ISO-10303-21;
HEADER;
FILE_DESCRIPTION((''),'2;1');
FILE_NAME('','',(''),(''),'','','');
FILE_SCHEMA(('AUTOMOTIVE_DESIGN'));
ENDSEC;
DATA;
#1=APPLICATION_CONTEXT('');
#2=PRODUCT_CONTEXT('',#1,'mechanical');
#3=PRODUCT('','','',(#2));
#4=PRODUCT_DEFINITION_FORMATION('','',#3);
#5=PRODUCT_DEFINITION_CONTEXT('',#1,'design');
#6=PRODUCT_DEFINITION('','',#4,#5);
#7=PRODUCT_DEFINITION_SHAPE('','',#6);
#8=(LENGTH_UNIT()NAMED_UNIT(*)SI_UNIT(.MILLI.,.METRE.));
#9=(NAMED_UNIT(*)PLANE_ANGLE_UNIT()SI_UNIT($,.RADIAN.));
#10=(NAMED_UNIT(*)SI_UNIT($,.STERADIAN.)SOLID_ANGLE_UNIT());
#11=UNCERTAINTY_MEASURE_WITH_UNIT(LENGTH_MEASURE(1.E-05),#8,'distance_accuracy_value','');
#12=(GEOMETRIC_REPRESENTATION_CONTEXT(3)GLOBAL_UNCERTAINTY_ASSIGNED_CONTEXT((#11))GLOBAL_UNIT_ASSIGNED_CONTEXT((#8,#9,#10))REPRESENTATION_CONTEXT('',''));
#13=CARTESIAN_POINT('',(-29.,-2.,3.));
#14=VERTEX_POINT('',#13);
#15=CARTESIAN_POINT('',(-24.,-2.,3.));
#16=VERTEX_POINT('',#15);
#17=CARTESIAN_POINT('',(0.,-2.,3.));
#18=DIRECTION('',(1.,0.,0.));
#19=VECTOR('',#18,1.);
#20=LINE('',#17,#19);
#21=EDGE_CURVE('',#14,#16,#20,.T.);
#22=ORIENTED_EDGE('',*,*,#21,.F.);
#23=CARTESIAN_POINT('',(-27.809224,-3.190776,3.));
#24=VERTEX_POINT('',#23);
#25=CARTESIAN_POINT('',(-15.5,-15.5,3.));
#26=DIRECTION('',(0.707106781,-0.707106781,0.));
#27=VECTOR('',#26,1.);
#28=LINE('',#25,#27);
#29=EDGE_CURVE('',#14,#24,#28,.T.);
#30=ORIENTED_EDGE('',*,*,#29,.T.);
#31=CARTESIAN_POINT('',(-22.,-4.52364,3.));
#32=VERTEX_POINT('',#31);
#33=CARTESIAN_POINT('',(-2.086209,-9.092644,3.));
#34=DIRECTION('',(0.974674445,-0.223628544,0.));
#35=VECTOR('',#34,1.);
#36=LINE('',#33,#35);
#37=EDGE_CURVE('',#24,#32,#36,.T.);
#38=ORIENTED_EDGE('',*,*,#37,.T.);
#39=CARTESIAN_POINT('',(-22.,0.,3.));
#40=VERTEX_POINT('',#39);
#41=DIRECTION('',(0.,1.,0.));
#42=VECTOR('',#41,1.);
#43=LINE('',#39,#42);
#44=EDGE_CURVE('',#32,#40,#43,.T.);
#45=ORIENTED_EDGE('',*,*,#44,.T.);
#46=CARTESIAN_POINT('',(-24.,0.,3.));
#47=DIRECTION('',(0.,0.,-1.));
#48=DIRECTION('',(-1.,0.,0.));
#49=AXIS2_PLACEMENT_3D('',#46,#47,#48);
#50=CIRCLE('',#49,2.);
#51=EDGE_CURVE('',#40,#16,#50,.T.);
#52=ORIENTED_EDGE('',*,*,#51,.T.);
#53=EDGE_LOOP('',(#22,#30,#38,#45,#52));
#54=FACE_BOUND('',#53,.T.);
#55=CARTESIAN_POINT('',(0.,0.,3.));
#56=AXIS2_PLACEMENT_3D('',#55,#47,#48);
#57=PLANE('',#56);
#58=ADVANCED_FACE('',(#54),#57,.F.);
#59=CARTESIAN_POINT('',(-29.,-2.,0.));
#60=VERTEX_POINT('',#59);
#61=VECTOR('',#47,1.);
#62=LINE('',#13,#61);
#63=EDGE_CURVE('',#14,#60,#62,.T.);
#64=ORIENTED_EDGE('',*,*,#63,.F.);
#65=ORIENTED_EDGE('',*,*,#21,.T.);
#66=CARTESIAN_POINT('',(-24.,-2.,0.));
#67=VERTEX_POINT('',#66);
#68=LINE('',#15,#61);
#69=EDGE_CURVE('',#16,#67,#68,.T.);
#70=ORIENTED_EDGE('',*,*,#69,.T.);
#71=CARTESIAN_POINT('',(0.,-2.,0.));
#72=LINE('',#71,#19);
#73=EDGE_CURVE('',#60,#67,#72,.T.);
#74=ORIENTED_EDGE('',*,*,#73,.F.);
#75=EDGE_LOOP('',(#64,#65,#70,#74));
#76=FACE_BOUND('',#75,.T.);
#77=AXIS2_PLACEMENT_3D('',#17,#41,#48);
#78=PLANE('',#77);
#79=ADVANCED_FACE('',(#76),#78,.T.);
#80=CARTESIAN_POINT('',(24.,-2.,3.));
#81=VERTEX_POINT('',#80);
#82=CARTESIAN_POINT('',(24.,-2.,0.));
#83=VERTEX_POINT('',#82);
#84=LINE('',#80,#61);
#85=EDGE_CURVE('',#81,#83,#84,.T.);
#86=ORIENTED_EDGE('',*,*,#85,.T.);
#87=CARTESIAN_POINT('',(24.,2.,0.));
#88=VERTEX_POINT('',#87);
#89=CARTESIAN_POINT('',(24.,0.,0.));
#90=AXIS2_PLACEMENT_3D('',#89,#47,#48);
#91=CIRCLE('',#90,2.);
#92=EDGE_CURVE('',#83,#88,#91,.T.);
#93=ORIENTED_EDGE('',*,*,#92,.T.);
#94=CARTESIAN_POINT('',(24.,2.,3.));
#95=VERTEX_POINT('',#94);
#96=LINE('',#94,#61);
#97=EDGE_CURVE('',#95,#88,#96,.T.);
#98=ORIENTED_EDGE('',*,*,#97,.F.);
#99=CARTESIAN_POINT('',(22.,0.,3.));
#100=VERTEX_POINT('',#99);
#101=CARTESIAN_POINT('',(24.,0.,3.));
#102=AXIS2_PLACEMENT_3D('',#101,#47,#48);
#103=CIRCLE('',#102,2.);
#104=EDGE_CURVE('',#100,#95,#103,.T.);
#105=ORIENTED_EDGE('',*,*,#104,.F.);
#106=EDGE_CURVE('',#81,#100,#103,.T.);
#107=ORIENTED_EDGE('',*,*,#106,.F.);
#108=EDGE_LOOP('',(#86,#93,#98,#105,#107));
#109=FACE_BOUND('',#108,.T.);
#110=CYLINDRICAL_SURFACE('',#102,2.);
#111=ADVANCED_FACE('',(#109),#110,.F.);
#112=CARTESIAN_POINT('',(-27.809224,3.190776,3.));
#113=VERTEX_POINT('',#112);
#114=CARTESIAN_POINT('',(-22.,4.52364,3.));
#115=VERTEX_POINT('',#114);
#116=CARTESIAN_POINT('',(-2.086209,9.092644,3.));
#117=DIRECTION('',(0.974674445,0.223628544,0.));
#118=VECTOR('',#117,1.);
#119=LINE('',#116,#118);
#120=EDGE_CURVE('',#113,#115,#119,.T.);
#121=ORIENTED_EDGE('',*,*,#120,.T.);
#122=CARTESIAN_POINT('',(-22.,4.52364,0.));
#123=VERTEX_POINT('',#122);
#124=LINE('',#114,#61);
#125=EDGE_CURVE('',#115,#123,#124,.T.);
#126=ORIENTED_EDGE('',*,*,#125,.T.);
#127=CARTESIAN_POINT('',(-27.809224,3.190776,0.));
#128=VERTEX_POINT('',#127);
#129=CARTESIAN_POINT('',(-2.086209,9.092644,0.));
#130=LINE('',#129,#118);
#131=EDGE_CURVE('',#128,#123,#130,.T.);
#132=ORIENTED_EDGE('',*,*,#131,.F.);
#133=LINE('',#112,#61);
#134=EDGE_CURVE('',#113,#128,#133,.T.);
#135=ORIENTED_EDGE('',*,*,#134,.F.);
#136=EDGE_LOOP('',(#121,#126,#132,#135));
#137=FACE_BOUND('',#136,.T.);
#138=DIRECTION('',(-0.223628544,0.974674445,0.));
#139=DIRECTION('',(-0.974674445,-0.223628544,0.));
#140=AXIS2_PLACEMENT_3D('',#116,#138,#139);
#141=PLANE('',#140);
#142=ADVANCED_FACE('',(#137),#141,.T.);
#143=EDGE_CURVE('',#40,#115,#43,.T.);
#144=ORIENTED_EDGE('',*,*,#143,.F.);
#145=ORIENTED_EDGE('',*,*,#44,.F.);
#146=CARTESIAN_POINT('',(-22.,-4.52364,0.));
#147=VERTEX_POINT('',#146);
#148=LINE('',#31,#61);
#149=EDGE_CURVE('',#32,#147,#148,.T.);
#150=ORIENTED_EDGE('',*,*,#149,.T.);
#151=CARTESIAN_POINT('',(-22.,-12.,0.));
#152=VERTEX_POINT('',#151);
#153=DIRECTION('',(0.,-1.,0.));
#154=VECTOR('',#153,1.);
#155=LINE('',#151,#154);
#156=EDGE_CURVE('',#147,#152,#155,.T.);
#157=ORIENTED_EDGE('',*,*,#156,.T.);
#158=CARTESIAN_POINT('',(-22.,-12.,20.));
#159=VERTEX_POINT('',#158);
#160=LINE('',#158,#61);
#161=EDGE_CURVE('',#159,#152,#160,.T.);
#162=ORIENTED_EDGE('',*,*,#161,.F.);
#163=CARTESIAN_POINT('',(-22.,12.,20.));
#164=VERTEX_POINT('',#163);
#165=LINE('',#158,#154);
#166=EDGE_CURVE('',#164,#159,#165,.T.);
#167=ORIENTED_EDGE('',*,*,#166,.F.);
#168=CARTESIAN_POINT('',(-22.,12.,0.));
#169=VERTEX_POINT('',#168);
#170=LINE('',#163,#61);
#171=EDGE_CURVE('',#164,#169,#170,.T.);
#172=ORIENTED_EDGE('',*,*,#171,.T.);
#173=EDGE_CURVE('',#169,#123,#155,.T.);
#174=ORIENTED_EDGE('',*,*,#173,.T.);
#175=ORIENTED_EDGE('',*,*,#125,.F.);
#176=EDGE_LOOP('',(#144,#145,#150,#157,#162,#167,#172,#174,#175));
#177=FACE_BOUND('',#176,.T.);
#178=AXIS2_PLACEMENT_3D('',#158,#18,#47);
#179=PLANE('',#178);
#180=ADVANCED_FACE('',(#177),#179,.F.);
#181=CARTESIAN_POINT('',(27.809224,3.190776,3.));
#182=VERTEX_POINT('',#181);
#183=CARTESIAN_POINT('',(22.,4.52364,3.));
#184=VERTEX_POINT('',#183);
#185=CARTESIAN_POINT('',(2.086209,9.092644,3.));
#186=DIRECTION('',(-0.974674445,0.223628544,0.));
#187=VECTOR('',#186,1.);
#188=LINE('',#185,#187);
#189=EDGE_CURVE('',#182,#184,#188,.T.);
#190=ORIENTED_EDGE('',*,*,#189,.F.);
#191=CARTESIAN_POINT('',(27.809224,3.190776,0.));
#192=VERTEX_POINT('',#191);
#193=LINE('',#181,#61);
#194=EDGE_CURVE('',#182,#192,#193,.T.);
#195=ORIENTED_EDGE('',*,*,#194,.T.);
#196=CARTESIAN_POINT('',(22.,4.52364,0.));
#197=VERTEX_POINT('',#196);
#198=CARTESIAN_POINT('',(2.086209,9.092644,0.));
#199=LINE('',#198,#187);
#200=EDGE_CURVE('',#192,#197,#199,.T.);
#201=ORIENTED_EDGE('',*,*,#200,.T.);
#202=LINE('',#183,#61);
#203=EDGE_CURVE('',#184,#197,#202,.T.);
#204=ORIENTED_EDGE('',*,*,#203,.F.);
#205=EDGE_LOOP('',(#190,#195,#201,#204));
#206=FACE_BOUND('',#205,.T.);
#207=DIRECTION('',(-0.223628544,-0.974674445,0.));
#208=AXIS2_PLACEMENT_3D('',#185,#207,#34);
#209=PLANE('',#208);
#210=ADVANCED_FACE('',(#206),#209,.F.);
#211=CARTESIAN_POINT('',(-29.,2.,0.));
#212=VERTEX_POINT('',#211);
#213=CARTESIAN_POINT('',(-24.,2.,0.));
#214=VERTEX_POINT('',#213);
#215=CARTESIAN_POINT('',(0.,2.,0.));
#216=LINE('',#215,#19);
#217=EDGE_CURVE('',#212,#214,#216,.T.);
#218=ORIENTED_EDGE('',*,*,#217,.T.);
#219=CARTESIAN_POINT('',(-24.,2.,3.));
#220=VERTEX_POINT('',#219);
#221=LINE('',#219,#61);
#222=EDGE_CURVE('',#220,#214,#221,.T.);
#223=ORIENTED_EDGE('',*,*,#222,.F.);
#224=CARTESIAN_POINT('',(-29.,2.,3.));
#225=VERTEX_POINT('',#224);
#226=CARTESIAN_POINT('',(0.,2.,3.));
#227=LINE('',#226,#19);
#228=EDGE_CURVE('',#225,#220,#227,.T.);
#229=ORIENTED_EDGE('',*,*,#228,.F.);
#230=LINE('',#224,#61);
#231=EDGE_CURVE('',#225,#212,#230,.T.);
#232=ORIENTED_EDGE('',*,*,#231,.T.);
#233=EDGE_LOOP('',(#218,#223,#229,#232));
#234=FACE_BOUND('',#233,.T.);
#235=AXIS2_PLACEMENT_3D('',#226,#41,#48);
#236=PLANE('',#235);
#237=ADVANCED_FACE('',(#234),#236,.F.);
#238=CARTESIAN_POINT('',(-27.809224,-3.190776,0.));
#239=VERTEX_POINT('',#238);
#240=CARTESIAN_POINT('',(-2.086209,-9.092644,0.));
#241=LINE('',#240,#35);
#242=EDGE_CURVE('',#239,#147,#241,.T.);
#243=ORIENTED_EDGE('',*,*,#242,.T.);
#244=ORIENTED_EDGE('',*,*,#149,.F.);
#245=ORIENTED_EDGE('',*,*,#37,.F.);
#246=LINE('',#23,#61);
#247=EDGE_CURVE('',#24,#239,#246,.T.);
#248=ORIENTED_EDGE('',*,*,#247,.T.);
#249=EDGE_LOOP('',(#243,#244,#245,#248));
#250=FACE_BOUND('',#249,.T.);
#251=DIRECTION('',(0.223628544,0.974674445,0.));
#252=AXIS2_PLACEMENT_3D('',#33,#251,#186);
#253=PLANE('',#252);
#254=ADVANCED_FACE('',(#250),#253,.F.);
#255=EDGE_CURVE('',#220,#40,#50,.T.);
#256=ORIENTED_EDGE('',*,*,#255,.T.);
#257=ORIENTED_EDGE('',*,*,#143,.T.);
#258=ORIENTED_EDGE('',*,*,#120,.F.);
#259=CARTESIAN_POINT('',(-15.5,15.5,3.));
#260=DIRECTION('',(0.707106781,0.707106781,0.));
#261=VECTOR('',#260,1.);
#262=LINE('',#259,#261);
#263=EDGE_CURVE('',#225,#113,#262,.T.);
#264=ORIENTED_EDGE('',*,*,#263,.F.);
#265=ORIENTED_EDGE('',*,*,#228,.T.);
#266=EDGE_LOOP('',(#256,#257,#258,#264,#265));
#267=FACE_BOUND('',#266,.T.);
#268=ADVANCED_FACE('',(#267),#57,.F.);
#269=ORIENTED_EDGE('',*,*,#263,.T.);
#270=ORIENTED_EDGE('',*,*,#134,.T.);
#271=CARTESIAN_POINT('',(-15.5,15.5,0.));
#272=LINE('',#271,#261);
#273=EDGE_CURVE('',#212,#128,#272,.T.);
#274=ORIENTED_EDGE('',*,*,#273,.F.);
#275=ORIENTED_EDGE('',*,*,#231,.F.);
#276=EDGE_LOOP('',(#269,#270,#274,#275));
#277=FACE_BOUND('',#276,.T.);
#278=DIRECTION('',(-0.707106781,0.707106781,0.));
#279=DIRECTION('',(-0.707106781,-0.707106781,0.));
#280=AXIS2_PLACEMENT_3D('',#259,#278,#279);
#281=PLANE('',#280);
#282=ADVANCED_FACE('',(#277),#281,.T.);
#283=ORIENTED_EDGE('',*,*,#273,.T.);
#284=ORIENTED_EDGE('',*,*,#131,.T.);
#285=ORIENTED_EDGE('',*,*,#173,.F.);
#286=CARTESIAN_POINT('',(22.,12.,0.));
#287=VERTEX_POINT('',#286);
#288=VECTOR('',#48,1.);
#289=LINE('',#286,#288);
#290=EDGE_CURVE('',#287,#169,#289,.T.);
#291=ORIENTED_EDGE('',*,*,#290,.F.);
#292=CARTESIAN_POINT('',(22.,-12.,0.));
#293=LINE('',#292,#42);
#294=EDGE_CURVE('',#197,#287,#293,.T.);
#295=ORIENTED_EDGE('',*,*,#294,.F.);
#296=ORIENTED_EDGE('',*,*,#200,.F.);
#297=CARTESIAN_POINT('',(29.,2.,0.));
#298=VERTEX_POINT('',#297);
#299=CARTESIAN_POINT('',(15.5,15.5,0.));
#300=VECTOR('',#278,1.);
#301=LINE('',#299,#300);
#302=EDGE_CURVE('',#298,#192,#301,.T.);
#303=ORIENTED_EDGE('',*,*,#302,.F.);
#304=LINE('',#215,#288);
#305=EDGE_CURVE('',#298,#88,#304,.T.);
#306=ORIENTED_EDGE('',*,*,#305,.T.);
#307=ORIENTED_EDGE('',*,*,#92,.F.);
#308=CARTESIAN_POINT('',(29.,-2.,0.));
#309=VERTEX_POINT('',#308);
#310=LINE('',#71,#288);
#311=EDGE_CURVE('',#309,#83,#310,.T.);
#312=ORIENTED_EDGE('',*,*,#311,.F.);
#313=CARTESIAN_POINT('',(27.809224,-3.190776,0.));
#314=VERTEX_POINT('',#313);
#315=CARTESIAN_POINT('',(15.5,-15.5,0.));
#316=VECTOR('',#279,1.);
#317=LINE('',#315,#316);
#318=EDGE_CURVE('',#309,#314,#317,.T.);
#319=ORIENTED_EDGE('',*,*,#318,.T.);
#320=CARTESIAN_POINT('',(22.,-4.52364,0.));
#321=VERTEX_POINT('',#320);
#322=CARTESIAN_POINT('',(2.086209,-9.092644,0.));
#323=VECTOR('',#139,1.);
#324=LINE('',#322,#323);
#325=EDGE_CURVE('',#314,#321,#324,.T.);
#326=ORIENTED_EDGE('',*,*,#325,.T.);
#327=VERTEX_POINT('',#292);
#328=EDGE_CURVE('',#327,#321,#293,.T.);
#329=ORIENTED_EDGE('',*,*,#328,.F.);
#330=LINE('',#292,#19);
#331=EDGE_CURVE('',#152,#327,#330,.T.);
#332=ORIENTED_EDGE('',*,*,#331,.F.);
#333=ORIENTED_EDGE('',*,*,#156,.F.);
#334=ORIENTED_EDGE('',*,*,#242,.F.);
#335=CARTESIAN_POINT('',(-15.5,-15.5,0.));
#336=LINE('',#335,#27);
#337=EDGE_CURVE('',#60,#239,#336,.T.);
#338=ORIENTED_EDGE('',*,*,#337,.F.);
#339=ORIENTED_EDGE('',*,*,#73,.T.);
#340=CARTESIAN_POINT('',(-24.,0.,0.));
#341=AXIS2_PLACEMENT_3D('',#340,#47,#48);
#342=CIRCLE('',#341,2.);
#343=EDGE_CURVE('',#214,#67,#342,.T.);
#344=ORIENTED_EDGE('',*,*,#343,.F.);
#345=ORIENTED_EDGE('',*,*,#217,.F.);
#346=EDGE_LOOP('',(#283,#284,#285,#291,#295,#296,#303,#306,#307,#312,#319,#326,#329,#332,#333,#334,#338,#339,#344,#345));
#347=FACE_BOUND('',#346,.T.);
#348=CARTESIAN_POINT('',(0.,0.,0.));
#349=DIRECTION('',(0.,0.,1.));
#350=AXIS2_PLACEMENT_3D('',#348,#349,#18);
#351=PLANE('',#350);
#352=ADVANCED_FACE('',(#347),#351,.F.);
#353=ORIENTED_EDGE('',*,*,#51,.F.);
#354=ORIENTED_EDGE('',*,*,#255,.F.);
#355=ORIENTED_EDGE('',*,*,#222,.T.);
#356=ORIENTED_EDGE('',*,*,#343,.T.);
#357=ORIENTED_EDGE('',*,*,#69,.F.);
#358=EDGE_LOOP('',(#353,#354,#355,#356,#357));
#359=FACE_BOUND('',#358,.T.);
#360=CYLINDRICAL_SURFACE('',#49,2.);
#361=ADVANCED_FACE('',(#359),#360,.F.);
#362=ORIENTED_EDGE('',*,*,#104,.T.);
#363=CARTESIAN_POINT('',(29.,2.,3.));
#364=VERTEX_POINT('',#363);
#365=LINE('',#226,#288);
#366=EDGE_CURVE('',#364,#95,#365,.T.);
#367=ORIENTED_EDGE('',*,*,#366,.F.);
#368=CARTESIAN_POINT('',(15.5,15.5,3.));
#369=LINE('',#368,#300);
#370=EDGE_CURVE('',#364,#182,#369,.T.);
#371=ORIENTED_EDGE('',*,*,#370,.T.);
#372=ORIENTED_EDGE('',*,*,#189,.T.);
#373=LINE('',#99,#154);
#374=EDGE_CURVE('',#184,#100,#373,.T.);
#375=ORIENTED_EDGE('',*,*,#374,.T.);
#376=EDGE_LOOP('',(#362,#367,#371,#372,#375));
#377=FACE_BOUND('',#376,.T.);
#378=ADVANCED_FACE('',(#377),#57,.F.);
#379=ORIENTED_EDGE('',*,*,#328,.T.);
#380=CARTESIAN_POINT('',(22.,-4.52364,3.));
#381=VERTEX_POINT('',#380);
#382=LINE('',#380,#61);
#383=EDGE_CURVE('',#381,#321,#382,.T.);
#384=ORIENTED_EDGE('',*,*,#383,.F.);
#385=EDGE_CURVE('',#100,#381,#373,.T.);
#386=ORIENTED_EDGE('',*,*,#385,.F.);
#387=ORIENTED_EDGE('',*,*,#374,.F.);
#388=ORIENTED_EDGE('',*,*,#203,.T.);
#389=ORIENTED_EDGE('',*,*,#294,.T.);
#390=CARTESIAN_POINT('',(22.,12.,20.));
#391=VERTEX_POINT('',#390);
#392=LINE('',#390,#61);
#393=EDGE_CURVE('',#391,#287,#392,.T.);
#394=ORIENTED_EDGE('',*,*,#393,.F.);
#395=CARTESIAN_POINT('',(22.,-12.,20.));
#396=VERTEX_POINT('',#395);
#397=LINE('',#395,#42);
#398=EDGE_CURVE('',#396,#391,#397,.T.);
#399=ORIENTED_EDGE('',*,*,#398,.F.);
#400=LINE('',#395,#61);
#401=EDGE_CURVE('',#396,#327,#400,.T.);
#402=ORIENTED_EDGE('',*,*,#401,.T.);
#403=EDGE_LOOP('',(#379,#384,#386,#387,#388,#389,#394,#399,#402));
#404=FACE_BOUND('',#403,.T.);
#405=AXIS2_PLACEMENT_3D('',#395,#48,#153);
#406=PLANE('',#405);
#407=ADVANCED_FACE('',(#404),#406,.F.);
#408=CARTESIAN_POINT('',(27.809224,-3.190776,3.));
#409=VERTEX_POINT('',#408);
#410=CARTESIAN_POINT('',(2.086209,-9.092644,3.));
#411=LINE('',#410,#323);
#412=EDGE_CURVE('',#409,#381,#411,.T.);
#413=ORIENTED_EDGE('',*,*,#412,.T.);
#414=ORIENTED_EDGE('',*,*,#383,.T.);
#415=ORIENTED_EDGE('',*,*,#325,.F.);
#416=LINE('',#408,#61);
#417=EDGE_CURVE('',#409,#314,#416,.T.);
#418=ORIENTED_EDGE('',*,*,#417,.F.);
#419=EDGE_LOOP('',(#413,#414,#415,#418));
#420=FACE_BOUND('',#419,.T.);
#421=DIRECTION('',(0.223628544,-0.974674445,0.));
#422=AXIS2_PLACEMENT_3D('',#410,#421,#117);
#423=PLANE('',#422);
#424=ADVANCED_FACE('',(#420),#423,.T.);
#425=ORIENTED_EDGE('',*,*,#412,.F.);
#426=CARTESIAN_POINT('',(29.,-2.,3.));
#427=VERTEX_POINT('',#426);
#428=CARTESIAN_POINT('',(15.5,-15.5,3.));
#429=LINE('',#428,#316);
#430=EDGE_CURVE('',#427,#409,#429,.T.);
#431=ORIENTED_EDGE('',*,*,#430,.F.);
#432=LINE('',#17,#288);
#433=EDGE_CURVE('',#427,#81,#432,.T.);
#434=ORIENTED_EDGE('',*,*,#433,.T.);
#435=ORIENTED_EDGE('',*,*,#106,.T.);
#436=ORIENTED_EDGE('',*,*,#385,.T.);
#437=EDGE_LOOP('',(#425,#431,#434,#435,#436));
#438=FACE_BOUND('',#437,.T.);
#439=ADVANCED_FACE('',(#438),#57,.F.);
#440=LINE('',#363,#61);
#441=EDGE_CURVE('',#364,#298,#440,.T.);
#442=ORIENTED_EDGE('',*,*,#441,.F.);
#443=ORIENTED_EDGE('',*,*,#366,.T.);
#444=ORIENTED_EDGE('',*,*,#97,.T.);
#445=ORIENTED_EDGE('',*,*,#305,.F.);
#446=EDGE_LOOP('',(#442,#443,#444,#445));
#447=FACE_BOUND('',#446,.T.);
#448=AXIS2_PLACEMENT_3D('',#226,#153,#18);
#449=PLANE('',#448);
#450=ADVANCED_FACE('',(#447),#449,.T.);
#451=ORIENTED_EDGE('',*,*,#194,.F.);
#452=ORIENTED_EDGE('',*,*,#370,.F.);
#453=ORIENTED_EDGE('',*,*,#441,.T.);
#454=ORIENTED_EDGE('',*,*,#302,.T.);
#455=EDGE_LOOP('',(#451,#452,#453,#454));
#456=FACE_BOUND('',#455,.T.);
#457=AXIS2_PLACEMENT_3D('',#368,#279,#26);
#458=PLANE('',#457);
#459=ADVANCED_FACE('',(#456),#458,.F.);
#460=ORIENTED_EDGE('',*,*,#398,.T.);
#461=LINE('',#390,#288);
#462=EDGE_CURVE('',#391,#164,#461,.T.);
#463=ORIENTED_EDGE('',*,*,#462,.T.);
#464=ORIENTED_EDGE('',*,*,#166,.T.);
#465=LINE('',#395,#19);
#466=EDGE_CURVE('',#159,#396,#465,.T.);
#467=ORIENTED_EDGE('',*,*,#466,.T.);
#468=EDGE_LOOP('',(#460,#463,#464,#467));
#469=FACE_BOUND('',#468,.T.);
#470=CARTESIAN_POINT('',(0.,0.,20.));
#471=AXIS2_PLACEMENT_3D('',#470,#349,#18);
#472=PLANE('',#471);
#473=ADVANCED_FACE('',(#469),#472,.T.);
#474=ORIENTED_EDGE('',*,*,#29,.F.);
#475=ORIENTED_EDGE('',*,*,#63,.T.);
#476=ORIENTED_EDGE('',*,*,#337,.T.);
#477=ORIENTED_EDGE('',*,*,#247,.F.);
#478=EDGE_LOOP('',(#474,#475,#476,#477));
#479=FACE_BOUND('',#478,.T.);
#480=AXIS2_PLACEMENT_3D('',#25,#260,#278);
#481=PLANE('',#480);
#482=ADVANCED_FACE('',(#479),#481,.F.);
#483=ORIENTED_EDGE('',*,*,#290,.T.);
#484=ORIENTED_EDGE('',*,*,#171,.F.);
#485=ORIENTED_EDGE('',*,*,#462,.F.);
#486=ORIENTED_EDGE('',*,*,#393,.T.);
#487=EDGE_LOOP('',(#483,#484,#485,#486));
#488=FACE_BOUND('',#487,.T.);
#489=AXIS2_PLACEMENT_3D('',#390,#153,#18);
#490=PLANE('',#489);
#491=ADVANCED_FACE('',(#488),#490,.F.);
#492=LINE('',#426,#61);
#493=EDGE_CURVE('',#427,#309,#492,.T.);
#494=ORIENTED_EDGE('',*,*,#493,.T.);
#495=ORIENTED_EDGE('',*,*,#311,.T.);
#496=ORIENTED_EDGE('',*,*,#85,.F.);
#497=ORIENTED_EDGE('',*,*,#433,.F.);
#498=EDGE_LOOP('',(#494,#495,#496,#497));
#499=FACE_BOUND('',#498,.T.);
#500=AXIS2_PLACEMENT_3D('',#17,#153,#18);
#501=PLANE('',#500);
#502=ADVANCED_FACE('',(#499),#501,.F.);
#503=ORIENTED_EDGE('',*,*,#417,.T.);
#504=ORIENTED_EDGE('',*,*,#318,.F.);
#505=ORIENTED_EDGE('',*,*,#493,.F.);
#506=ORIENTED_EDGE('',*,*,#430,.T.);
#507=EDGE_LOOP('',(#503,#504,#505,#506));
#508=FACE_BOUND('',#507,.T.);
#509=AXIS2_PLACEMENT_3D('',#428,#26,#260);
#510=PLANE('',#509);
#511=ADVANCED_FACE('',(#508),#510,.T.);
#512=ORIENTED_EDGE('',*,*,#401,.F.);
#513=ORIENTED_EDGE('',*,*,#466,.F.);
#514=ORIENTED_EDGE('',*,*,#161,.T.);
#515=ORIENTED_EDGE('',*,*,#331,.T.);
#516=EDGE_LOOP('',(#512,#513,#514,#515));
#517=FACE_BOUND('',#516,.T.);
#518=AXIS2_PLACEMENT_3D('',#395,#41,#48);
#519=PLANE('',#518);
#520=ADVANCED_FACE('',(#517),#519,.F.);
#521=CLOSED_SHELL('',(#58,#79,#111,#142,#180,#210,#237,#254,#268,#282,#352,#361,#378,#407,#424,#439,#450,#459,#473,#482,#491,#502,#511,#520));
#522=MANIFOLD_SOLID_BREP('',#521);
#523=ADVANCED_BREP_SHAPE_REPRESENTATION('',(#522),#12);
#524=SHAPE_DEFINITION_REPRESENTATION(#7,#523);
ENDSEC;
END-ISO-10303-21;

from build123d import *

# Parameters (mm, degrees)
SKETCH_1_W      = 44
SKETCH_1_H      = 24
EXTRUDE_1_DEPTH = 20
EXTRUDE_2_DEPTH = 3


with BuildPart() as part:
    # 草图1 → 凸台-拉伸1 (new body)
    with BuildSketch(Plane.XY):
        Rectangle(SKETCH_1_W, SKETCH_1_H)
    extrude(amount=EXTRUDE_1_DEPTH)

    # 草图2 → 凸台-拉伸2 (add)
    with BuildSketch(Plane(origin=(0, 0, 0), x_dir=(-1, 0, 0), z_dir=(0, 0, -1))):
        with BuildLine():
            Line((22, 4.523639819), (22, -1e-08))
            ThreePointArc((22, -1e-08), (22.585786434, 1.414213559), (24, 2))
            Line((24, 2), (29, 2))
            Line((29, 2), (27.809223998, 3.190776002))
            Line((27.809223998, 3.190776002), (22, 4.523639819))
        make_face()
        with BuildLine():
            Line((22, -4.523639819), (27.809223998, -3.190776002))
            Line((27.809223998, -3.190776002), (29, -2))
            Line((29, -2), (24, -2))
            ThreePointArc((24, -2), (22.585786441, -1.414213566), (22, -1e-08))
            Line((22, -1e-08), (22, -4.523639819))
        make_face()
        with BuildLine():
            Line((-27.809223998, 3.190776002), (-29, 2))
            Line((-29, 2), (-24, 2))
            ThreePointArc((-24, 2), (-22.585786447, 1.414213572), (-22, 2.8e-08))
            Line((-22, 2.8e-08), (-22, 4.523639819))
            Line((-22, 4.523639819), (-27.809223998, 3.190776002))
        make_face()
        with BuildLine():
            Line((-22, -4.523639819), (-22, 2.8e-08))
            ThreePointArc((-22, 2.8e-08), (-22.585786428, -1.414213553), (-24, -2))
            Line((-24, -2), (-29, -2))
            Line((-29, -2), (-27.809223998, -3.190776002))
            Line((-27.809223998, -3.190776002), (-22, -4.523639819))
        make_face()
    extrude(amount=-EXTRUDE_2_DEPTH)


solid = part.part
